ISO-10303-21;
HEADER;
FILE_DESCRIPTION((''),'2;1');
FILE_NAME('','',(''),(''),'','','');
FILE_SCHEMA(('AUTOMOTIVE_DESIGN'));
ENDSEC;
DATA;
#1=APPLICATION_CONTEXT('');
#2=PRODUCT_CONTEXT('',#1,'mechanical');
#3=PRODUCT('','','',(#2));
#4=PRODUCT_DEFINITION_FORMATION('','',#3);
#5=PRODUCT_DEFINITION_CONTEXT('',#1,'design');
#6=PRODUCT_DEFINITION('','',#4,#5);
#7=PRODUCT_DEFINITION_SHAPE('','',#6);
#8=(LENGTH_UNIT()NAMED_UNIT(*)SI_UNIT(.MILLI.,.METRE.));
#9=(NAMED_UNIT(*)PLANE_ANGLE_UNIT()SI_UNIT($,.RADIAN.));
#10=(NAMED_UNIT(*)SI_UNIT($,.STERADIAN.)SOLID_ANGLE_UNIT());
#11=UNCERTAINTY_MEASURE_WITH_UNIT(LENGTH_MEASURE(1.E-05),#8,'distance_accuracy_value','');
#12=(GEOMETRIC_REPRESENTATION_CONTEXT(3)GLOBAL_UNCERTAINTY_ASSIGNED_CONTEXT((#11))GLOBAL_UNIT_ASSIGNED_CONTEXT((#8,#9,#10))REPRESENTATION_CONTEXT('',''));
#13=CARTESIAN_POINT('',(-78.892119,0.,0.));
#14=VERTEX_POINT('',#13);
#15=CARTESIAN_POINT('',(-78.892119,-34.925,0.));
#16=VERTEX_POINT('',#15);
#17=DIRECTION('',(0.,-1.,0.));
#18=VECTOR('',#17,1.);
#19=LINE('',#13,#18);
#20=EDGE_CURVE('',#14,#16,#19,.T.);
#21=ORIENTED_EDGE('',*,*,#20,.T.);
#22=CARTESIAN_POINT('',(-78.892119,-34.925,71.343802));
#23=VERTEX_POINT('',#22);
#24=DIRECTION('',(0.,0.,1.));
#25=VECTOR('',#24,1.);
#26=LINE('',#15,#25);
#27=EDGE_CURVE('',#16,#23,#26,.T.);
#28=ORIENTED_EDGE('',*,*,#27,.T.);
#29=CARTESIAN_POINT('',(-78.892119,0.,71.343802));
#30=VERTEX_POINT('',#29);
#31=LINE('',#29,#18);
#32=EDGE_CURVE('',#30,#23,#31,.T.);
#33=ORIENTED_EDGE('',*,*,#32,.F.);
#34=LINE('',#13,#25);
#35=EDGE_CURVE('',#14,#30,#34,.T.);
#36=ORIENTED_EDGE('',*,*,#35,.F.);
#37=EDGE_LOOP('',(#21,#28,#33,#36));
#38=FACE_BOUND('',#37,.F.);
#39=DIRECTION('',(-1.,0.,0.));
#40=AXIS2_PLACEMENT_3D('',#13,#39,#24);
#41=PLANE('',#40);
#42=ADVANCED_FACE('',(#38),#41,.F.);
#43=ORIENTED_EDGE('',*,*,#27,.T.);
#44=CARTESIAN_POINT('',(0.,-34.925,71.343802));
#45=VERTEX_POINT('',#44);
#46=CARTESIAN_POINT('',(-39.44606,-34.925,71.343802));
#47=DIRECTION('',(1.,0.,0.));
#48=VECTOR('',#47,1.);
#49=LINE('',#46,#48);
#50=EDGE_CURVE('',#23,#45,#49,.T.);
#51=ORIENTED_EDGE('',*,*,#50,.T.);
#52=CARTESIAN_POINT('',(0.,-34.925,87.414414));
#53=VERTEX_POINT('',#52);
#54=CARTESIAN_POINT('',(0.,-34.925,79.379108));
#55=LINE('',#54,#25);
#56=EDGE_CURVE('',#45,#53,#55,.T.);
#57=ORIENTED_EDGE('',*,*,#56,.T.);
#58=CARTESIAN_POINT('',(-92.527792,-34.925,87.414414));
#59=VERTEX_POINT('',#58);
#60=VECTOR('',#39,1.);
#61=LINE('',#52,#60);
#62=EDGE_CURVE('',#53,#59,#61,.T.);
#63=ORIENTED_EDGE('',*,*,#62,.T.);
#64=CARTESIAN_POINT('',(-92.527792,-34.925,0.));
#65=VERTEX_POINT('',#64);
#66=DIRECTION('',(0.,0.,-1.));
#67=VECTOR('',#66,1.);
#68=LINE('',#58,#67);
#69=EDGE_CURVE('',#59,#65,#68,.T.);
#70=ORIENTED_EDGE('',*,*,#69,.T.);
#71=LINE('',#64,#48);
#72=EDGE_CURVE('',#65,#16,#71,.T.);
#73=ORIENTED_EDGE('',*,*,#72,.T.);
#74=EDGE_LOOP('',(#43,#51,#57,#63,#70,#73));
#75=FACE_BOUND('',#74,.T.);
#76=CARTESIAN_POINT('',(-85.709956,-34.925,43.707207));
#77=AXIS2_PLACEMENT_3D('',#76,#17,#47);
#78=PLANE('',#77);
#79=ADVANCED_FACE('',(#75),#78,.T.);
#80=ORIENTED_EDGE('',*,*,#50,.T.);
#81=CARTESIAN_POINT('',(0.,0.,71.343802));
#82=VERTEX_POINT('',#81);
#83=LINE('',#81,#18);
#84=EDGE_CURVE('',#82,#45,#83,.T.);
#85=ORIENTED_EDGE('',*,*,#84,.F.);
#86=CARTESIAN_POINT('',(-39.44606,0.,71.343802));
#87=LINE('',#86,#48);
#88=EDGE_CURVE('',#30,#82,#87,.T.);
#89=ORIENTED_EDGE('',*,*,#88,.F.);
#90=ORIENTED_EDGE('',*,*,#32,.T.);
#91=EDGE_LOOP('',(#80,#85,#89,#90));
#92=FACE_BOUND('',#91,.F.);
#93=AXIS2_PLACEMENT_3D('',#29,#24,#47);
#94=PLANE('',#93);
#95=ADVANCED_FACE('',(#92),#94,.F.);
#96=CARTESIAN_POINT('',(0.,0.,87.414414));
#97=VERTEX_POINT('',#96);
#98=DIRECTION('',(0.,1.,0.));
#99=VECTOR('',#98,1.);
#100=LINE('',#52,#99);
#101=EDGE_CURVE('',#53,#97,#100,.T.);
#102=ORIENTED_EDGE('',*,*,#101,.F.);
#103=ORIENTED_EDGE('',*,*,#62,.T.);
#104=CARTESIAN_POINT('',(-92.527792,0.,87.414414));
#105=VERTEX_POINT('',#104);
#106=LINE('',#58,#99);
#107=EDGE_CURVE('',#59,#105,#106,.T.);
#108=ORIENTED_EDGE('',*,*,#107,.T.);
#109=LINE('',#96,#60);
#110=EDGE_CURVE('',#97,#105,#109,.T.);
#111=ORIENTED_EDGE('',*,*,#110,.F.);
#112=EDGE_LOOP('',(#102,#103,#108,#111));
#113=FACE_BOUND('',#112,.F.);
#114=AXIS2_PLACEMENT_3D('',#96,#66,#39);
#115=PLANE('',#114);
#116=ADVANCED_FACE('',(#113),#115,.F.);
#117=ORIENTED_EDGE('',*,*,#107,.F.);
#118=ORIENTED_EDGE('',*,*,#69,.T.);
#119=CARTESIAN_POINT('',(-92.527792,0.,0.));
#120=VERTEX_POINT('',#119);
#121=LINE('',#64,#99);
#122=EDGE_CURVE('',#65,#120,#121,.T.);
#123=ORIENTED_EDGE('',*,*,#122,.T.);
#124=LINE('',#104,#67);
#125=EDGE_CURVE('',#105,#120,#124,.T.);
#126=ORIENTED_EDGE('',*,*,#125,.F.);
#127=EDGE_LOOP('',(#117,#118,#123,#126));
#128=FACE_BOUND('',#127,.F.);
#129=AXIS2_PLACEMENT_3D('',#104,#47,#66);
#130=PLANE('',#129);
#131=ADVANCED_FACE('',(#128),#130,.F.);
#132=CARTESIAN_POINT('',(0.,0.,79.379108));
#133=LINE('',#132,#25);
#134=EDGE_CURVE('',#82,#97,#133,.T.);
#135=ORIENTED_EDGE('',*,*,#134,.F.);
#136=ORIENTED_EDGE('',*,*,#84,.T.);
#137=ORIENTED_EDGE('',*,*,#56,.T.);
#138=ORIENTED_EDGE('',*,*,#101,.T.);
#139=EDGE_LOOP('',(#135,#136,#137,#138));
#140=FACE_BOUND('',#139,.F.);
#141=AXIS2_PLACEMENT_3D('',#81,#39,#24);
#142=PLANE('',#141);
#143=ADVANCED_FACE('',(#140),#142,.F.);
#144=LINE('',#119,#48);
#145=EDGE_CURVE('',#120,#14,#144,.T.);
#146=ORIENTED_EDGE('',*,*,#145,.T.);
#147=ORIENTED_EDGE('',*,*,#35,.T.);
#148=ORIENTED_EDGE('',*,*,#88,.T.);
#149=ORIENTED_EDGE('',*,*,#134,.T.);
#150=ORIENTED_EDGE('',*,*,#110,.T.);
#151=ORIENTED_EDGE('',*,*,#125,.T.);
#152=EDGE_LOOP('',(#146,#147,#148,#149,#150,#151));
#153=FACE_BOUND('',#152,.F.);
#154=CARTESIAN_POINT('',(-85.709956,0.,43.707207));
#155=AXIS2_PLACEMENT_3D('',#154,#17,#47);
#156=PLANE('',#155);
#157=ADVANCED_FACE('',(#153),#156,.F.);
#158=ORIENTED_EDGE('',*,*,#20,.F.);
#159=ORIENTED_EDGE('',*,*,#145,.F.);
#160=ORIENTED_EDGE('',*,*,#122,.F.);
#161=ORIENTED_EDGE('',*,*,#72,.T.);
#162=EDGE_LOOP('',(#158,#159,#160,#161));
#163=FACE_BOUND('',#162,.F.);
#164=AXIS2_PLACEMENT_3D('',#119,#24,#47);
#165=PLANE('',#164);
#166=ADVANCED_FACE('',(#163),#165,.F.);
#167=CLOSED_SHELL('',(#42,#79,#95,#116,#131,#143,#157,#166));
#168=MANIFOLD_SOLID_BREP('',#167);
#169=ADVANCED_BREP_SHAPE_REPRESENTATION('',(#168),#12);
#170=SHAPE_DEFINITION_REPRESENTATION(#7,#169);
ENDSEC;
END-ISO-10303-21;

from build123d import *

# Parameters (mm, degrees)
F0_W     = 78.8921192288
F0_H     = 16.0706117749
F1_DEPTH = 25.4
F2_DEPTH = 9.525


with BuildPart() as f1:
    # F0 (on Front) → F1 (new body)
    with BuildSketch(Plane.XZ):
        Polygon((-92.5277918577, 0), (-78.8921192288, 0), (-78.8921192288, 71.3438019156), (-78.8921192288, 87.4144136906), (-92.5277918577, 87.4144136906), align=None)
        with Locations((-39.4460596144, 79.3791078031)):
            Rectangle(F0_W, F0_H)
    extrude(amount=F1_DEPTH)

    # F2 (add, symmetric): a face of the model
    f2_faces = [f1.faces().sort_by_distance(p)[0] for p in [
        (-85.7099555433, -25.4, 1.2728971674),
    ]]
    extrude(f2_faces, amount=F2_DEPTH, both=True)


solid = f1.part
